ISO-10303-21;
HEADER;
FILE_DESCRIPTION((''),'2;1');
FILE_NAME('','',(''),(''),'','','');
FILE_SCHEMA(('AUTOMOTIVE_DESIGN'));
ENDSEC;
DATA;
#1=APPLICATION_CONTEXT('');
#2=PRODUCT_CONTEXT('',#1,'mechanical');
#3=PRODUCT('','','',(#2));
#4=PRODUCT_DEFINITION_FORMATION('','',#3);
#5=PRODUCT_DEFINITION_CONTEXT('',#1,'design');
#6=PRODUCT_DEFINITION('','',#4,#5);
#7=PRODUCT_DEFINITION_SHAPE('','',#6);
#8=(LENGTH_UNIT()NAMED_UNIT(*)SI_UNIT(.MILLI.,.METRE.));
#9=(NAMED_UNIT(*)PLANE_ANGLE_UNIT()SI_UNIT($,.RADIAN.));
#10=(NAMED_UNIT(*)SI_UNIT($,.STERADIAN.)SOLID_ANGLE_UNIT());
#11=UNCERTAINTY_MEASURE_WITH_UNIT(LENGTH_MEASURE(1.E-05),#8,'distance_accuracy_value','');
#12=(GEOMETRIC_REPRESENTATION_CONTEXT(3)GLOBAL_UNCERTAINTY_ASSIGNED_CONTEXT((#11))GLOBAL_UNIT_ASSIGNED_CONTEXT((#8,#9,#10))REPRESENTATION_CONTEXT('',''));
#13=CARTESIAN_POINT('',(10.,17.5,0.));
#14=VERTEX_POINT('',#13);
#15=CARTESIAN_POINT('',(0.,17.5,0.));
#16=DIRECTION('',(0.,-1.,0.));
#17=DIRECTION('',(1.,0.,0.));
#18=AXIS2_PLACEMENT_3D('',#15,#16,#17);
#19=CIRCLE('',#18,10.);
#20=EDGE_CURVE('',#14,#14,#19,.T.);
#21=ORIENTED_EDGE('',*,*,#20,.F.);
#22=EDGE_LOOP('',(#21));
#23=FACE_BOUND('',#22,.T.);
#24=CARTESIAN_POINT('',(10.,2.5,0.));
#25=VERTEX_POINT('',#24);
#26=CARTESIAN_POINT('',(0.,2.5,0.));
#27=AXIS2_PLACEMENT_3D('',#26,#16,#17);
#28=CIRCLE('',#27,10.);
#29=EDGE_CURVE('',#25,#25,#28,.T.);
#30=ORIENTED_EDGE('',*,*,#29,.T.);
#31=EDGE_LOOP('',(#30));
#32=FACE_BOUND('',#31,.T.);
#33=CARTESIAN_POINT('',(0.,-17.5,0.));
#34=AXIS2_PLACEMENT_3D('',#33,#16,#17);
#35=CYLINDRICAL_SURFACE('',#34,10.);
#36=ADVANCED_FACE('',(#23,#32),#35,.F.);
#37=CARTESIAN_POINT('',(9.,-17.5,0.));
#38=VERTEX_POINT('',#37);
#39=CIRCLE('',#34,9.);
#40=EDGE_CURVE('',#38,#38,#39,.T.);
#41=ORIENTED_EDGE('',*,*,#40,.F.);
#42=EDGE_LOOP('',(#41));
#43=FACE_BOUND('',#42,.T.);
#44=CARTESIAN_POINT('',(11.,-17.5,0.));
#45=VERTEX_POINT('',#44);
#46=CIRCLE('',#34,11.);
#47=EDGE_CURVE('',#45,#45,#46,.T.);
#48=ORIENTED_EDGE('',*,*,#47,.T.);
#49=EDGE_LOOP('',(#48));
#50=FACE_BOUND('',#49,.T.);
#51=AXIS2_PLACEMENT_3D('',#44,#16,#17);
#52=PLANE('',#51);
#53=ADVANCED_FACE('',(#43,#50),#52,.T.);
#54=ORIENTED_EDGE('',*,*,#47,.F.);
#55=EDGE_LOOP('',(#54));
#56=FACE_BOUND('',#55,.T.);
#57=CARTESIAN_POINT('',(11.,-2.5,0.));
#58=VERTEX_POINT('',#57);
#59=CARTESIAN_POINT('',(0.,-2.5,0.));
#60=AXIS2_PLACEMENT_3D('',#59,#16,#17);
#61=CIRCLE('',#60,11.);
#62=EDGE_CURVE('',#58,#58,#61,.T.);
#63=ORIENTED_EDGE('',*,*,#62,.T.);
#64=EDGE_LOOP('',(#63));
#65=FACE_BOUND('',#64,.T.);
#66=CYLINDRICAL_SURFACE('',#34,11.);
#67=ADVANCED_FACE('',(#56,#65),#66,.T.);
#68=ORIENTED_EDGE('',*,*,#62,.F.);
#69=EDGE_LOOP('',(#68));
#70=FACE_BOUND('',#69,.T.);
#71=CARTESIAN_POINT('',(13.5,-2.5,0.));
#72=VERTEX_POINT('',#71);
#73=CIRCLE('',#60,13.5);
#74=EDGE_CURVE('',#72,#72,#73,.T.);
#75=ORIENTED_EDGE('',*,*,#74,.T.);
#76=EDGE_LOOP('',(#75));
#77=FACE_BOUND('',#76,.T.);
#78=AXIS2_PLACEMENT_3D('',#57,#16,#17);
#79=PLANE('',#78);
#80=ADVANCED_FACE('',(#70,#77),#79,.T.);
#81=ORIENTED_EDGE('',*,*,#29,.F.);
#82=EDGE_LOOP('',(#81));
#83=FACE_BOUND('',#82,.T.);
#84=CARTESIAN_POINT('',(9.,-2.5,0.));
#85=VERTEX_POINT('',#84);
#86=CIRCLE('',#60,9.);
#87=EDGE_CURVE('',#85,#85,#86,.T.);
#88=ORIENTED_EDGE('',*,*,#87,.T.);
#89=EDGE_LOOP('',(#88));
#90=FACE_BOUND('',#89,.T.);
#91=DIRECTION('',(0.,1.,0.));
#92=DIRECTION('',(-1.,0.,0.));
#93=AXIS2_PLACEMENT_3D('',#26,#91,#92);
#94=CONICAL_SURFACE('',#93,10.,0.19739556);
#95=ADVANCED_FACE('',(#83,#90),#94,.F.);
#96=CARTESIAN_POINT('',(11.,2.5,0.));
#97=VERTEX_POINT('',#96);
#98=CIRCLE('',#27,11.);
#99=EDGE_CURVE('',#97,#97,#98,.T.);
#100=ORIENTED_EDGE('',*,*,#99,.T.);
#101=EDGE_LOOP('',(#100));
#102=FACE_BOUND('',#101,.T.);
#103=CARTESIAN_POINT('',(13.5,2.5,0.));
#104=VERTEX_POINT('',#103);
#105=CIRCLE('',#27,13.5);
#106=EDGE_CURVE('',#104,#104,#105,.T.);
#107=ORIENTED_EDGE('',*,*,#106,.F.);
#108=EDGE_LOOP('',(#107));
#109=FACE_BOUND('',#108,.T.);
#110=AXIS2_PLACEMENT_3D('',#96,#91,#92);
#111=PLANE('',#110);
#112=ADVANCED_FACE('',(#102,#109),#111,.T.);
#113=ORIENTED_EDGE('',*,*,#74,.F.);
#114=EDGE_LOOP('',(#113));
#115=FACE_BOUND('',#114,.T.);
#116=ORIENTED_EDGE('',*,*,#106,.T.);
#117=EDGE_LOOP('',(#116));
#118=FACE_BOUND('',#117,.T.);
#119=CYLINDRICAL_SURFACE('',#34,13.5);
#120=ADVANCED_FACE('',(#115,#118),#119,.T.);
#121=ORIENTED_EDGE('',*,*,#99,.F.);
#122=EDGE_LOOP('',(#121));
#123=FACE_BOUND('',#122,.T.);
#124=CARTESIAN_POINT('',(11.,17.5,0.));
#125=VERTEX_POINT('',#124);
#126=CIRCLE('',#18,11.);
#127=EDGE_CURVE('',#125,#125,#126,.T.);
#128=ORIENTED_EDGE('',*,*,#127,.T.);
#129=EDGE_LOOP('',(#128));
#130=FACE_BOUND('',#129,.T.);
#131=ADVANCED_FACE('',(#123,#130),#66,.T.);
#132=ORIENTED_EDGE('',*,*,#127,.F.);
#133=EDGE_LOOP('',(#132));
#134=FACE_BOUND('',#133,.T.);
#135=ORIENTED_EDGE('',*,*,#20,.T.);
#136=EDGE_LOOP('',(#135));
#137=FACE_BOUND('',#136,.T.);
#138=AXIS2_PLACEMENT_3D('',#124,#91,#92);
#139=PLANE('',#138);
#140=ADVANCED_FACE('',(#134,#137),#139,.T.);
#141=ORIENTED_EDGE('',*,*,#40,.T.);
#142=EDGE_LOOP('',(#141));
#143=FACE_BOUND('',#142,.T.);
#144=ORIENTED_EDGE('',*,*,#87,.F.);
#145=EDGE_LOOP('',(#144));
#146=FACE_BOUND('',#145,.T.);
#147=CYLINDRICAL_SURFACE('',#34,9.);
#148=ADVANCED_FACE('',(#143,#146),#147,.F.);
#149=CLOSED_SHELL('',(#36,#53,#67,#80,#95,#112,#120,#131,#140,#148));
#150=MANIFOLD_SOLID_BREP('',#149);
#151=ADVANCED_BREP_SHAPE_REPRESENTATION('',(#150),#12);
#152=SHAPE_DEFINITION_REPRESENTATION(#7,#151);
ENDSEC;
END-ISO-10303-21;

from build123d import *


with BuildPart() as part:
    # Sketch1 → Revolve1 (revolve)
    with BuildSketch(Plane.XY):
        Polygon((10, 17.5), (10, 2.5), (9, -2.5), (9, -17.5), (11, -17.5), (11, -2.5), (13.5, -2.5), (13.5, 2.5), (11, 2.5), (11, 17.5), align=None)
    revolve(axis=Axis((0, -17.5, 0), (0, 1, 0)))


solid = part.part
